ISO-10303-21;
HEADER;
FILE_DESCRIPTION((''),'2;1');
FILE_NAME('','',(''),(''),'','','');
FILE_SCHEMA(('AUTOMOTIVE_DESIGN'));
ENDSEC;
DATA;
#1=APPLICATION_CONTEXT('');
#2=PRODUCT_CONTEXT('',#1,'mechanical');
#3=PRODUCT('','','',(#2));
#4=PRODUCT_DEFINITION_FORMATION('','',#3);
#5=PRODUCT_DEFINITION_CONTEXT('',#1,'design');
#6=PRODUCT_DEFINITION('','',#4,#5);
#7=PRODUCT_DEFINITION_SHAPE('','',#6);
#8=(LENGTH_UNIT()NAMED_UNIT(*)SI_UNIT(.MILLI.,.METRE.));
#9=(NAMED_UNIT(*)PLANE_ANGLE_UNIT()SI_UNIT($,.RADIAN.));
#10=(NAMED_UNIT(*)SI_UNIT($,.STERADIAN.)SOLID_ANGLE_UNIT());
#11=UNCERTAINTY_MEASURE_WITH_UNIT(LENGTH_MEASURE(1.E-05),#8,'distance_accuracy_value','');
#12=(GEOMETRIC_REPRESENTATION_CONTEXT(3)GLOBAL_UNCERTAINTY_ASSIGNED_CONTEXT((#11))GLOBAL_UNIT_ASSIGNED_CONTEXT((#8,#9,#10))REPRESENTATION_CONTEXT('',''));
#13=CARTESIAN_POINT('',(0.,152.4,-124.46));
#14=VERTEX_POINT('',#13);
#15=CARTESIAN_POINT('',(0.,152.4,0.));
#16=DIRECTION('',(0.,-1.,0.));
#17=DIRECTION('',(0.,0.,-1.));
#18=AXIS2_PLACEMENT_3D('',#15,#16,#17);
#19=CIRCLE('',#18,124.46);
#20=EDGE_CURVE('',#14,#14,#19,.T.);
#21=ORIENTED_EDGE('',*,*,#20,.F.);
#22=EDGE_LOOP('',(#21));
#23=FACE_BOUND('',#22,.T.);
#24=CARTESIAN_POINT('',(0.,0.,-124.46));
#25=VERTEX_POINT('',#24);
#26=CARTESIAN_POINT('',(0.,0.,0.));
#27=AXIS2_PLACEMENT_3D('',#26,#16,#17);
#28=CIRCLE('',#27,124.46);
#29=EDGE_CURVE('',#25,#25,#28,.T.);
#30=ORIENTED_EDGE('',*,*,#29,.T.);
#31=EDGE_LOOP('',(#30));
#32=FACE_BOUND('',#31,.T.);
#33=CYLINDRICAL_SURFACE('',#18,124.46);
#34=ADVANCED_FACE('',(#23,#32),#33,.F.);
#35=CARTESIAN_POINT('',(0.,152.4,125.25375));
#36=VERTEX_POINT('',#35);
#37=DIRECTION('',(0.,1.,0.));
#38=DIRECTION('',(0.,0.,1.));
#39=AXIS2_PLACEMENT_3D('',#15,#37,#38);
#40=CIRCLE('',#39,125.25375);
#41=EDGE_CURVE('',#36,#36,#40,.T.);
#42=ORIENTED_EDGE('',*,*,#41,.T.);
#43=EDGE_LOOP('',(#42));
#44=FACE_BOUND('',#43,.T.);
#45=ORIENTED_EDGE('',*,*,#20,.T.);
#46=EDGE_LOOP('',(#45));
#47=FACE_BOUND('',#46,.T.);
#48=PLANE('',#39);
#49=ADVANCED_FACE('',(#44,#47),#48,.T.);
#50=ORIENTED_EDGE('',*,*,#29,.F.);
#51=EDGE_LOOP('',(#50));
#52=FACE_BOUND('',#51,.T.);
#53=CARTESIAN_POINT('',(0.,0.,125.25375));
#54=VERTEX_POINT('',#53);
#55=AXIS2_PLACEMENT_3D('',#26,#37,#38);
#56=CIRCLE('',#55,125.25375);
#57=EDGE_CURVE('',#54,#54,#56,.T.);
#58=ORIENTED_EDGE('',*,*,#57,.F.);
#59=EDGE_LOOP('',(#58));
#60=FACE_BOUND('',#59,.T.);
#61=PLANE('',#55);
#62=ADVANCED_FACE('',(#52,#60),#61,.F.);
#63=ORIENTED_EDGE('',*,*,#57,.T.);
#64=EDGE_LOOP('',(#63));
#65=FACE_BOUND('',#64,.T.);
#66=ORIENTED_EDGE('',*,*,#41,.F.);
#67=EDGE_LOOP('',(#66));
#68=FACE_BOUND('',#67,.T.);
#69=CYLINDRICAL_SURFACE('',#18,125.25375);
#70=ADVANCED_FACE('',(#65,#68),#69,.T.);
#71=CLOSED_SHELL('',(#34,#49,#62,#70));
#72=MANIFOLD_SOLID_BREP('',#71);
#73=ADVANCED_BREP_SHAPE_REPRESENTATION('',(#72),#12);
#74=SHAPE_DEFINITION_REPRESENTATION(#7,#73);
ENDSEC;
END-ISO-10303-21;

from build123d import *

# Parameters (mm, degrees)
SKETCH1_R           = 125.25375
BOSS_EXTRUDE1_DEPTH = 152.4
SKETCH3_R           = 124.46
CUT_EXTRUDE1_DEPTH  = 153.4


with BuildPart() as part:
    # Sketch1 → Boss-Extrude1 (new body)
    with BuildSketch(Plane(origin=(0, 0, 0), x_dir=(1, 0, 0), z_dir=(0, 1, 0))):
        Circle(SKETCH1_R)
    extrude(amount=BOSS_EXTRUDE1_DEPTH)

    # Sketch3 → Cut-Extrude1 (cut, through all)
    with BuildSketch(Plane.XZ):
        Circle(SKETCH3_R)
    extrude(amount=-CUT_EXTRUDE1_DEPTH, mode=Mode.SUBTRACT)


solid = part.part
